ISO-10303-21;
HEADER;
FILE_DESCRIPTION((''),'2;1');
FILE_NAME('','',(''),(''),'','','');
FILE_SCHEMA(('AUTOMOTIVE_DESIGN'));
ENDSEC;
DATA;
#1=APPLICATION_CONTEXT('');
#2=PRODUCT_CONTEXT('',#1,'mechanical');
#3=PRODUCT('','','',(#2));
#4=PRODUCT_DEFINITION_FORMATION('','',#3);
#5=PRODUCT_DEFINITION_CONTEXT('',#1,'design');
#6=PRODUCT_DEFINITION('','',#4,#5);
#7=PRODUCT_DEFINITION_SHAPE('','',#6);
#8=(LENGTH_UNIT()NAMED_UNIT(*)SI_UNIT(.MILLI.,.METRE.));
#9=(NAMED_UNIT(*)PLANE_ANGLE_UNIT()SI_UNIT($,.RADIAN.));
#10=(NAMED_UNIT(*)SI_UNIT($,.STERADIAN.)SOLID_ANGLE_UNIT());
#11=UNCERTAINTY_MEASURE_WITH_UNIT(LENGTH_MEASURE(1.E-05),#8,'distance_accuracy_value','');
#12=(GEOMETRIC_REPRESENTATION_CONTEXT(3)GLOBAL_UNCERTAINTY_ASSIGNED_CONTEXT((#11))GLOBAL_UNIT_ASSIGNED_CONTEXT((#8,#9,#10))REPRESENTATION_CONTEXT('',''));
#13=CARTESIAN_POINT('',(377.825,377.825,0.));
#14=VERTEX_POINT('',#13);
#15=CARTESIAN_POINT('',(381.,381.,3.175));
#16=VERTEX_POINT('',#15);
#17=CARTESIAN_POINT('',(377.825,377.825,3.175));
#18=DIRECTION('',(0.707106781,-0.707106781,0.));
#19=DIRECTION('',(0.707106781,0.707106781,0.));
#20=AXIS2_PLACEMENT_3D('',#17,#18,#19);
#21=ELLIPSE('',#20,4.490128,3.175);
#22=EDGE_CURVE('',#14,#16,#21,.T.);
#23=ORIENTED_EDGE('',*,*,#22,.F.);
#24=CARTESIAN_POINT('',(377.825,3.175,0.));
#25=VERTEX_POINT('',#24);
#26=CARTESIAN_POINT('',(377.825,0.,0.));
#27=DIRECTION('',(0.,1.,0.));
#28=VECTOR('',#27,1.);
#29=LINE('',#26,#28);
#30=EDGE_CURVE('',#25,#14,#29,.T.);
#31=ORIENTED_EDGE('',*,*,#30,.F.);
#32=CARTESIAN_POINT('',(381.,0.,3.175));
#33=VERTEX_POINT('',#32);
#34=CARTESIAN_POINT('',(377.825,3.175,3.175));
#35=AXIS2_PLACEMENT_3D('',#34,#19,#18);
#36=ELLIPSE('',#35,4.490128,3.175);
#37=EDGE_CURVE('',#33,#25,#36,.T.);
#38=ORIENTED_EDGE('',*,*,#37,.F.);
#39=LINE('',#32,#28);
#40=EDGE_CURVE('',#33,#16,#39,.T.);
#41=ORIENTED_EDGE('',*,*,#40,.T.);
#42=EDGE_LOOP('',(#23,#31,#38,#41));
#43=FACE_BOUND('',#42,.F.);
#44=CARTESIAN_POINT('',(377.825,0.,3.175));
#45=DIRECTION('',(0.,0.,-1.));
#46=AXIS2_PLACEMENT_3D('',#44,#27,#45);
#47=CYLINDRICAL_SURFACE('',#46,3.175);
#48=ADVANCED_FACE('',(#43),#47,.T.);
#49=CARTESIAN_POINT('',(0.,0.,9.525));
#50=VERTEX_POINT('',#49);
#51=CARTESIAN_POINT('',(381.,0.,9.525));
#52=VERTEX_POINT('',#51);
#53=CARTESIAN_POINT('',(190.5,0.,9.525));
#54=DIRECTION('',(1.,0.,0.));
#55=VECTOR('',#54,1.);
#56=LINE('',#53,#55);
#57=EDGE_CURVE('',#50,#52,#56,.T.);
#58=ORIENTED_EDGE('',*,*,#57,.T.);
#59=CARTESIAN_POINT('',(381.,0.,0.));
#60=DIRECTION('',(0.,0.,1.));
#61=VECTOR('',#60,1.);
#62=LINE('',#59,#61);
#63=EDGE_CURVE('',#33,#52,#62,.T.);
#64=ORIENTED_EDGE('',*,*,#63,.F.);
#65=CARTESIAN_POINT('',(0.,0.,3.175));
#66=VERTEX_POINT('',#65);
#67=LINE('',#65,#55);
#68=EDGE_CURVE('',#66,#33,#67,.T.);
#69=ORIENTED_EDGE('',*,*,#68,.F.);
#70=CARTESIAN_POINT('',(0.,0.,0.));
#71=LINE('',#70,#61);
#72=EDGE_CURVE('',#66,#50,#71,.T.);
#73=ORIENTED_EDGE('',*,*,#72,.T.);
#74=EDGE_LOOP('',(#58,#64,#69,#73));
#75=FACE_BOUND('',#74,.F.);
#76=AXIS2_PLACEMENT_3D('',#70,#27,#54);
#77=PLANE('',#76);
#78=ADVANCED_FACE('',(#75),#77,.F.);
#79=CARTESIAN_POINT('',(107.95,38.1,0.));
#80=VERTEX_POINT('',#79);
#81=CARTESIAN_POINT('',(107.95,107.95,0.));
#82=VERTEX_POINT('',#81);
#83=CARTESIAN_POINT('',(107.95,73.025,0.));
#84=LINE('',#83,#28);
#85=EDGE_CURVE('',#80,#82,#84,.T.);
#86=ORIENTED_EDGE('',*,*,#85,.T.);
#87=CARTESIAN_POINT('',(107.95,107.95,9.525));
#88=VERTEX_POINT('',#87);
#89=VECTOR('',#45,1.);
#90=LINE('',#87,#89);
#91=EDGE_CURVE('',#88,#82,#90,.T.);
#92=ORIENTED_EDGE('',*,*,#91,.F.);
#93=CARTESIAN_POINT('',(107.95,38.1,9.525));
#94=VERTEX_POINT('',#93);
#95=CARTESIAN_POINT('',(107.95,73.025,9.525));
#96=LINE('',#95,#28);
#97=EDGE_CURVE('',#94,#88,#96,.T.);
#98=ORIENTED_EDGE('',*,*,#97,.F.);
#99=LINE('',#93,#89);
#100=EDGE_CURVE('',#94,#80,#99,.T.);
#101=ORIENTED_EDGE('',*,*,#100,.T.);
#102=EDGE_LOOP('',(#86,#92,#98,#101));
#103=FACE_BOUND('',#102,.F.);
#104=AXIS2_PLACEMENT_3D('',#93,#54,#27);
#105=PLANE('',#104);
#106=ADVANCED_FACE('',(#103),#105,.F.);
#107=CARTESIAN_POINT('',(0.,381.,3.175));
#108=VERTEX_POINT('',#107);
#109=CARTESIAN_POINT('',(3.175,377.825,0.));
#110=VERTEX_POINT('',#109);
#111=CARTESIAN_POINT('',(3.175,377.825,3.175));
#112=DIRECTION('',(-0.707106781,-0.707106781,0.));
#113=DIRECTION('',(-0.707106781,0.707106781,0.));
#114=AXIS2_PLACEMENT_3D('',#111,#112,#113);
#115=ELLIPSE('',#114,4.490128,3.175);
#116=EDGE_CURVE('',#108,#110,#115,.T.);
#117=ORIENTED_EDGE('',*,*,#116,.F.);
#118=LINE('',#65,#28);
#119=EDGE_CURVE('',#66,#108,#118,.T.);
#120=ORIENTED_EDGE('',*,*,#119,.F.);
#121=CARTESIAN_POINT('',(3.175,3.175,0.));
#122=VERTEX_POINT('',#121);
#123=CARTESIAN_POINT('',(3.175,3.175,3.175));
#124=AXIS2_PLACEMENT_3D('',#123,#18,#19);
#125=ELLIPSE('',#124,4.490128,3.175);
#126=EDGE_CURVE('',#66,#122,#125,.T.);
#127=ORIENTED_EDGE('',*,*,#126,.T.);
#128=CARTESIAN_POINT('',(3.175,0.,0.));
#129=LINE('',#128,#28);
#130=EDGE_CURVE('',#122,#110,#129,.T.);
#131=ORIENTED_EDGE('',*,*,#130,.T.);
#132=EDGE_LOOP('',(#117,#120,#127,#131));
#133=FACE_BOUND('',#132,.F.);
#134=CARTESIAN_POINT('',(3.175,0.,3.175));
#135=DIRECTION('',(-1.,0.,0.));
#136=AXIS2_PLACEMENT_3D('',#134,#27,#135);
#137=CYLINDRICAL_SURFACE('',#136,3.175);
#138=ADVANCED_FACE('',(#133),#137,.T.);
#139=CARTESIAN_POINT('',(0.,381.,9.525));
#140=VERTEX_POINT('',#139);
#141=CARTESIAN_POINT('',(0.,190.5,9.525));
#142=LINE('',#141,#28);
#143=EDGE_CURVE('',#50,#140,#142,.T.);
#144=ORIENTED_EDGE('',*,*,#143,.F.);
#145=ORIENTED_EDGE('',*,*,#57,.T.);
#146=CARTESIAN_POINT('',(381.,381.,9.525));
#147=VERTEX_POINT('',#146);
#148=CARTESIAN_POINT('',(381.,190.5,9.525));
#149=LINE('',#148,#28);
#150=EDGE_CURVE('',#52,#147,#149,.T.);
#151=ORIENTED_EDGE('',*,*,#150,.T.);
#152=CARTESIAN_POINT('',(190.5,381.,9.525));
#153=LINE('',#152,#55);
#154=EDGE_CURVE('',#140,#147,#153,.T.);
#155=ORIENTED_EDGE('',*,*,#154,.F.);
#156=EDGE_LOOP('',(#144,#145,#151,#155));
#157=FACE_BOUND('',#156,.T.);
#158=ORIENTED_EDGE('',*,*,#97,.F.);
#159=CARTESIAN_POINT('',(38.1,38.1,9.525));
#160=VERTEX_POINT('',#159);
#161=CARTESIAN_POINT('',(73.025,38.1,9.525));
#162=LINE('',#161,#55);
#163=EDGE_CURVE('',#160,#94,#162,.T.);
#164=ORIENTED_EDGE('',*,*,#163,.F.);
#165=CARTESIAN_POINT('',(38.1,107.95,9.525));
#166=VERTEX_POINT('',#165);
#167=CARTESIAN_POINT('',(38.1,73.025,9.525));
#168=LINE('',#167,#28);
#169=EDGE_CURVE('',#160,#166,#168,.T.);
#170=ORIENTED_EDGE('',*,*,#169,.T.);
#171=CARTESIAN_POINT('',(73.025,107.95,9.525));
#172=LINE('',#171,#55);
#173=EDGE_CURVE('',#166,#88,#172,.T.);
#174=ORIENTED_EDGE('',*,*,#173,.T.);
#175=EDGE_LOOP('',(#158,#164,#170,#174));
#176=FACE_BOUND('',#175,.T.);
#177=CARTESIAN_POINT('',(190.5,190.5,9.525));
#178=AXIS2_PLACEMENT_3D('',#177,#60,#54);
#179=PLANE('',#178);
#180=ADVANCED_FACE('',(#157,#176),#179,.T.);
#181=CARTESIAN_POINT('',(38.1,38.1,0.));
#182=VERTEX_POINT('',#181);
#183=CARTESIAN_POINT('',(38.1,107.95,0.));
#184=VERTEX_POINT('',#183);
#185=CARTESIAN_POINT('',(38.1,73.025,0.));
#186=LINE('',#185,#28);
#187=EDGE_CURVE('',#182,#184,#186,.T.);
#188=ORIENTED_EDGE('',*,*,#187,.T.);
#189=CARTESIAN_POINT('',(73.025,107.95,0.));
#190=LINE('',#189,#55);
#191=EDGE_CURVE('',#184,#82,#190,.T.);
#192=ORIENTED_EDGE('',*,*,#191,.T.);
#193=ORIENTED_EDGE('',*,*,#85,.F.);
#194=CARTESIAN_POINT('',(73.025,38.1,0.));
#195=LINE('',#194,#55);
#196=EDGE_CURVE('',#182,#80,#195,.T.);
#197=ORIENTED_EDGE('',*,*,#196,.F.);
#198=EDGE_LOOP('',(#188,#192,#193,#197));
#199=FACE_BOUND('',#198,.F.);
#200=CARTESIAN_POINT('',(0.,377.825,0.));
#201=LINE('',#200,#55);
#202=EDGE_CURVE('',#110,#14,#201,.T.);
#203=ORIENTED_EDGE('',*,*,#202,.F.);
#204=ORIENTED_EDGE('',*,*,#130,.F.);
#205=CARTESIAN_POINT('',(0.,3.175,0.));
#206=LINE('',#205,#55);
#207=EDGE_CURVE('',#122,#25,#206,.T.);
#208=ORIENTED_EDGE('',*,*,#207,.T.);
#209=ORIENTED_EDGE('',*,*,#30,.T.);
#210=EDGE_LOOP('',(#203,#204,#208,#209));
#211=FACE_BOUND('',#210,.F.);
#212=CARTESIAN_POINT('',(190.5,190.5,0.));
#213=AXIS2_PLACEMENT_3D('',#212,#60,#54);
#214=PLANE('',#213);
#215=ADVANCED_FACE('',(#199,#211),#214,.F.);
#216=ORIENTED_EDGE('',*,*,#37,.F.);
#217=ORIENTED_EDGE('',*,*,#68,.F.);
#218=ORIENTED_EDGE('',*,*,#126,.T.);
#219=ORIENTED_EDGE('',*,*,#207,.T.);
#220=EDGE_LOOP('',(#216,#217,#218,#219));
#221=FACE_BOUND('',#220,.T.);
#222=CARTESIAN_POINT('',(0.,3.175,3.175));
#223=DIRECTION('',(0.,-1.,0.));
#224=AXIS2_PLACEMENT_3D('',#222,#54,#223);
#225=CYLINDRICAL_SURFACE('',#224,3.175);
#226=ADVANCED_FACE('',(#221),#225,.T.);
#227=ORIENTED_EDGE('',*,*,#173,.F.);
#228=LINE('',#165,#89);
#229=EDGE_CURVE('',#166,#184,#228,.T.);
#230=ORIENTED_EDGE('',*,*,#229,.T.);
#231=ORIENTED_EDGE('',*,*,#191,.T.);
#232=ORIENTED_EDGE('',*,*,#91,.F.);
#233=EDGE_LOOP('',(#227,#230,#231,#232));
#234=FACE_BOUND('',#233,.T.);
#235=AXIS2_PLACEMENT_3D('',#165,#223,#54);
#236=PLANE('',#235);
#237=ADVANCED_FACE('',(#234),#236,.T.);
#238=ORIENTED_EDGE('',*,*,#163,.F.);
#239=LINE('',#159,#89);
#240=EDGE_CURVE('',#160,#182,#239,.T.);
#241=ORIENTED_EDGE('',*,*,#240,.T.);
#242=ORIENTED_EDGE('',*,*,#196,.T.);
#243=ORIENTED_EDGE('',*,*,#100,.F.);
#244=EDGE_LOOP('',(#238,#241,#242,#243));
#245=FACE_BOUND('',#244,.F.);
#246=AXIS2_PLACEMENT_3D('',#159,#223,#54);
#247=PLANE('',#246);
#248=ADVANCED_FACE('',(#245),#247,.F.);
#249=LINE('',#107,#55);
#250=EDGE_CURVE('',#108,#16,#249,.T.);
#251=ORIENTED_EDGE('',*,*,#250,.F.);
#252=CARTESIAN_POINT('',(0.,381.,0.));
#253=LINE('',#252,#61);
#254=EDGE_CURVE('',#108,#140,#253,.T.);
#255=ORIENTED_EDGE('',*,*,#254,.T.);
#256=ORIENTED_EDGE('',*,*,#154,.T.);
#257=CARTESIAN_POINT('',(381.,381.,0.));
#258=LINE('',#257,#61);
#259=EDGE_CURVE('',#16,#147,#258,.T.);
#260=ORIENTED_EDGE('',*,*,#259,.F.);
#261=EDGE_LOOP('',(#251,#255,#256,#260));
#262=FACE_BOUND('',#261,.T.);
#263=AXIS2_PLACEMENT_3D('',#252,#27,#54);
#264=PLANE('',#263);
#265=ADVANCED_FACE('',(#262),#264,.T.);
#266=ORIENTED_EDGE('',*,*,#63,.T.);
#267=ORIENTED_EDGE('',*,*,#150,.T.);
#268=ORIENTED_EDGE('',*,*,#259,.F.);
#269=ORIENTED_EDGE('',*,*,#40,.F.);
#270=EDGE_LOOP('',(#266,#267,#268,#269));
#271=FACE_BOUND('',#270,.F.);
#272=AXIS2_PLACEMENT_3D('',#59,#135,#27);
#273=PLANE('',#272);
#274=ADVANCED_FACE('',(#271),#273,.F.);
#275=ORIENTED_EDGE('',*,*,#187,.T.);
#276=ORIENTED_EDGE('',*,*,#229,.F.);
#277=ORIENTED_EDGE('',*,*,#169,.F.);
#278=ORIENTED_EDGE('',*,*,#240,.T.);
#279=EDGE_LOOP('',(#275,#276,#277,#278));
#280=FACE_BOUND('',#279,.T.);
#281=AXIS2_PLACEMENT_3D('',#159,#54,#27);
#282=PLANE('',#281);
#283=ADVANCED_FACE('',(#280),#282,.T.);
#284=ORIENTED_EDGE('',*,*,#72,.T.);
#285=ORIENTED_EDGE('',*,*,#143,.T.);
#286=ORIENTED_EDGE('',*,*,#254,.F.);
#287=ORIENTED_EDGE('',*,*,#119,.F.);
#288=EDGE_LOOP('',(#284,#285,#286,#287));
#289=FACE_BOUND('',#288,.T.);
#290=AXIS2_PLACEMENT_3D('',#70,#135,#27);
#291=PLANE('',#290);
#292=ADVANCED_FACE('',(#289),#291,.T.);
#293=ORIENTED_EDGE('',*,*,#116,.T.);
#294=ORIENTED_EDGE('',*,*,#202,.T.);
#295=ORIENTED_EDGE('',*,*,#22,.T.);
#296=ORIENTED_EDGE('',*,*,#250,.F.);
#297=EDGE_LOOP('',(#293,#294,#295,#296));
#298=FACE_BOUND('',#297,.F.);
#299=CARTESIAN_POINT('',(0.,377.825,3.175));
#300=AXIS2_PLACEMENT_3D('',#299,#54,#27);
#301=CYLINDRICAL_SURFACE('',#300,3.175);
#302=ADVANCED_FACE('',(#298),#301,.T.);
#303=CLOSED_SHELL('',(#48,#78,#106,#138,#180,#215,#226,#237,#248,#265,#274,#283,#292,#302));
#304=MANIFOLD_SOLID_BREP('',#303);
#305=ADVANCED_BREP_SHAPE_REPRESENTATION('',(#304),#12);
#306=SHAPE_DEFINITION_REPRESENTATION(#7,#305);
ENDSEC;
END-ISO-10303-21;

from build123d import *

# Parameters (mm, degrees)
F0_W     = 381
F0_H     = 381
F1_DEPTH = 9.525
F2_W     = 69.85
F2_H     = 69.85
F3_DEPTH = 9.525
F4_R     = 3.175


with BuildPart() as f1:
    # F0 (on Top) → F1 (new body)
    with BuildSketch(Plane.XY):
        with Locations((190.5, 190.5)):
            Rectangle(F0_W, F0_H)
    extrude(amount=F1_DEPTH)

    # F2 (on face) → F3 (cut, through all)
    with BuildSketch(Plane.XY.offset(9.525)):
        with Locations((73.025, 73.025)):
            Rectangle(F2_W, F2_H)
    extrude(amount=-F3_DEPTH, mode=Mode.SUBTRACT)

    # F4
    f4_edges = [f1.edges().sort_by_distance(p)[0] for p in [
        (0, 190.5, 0),
        (190.5, 0, 0),
        (381, 190.5, 0),
        (190.5, 381, 0),
    ]]
    fillet(f4_edges, radius=F4_R)


solid = f1.part
